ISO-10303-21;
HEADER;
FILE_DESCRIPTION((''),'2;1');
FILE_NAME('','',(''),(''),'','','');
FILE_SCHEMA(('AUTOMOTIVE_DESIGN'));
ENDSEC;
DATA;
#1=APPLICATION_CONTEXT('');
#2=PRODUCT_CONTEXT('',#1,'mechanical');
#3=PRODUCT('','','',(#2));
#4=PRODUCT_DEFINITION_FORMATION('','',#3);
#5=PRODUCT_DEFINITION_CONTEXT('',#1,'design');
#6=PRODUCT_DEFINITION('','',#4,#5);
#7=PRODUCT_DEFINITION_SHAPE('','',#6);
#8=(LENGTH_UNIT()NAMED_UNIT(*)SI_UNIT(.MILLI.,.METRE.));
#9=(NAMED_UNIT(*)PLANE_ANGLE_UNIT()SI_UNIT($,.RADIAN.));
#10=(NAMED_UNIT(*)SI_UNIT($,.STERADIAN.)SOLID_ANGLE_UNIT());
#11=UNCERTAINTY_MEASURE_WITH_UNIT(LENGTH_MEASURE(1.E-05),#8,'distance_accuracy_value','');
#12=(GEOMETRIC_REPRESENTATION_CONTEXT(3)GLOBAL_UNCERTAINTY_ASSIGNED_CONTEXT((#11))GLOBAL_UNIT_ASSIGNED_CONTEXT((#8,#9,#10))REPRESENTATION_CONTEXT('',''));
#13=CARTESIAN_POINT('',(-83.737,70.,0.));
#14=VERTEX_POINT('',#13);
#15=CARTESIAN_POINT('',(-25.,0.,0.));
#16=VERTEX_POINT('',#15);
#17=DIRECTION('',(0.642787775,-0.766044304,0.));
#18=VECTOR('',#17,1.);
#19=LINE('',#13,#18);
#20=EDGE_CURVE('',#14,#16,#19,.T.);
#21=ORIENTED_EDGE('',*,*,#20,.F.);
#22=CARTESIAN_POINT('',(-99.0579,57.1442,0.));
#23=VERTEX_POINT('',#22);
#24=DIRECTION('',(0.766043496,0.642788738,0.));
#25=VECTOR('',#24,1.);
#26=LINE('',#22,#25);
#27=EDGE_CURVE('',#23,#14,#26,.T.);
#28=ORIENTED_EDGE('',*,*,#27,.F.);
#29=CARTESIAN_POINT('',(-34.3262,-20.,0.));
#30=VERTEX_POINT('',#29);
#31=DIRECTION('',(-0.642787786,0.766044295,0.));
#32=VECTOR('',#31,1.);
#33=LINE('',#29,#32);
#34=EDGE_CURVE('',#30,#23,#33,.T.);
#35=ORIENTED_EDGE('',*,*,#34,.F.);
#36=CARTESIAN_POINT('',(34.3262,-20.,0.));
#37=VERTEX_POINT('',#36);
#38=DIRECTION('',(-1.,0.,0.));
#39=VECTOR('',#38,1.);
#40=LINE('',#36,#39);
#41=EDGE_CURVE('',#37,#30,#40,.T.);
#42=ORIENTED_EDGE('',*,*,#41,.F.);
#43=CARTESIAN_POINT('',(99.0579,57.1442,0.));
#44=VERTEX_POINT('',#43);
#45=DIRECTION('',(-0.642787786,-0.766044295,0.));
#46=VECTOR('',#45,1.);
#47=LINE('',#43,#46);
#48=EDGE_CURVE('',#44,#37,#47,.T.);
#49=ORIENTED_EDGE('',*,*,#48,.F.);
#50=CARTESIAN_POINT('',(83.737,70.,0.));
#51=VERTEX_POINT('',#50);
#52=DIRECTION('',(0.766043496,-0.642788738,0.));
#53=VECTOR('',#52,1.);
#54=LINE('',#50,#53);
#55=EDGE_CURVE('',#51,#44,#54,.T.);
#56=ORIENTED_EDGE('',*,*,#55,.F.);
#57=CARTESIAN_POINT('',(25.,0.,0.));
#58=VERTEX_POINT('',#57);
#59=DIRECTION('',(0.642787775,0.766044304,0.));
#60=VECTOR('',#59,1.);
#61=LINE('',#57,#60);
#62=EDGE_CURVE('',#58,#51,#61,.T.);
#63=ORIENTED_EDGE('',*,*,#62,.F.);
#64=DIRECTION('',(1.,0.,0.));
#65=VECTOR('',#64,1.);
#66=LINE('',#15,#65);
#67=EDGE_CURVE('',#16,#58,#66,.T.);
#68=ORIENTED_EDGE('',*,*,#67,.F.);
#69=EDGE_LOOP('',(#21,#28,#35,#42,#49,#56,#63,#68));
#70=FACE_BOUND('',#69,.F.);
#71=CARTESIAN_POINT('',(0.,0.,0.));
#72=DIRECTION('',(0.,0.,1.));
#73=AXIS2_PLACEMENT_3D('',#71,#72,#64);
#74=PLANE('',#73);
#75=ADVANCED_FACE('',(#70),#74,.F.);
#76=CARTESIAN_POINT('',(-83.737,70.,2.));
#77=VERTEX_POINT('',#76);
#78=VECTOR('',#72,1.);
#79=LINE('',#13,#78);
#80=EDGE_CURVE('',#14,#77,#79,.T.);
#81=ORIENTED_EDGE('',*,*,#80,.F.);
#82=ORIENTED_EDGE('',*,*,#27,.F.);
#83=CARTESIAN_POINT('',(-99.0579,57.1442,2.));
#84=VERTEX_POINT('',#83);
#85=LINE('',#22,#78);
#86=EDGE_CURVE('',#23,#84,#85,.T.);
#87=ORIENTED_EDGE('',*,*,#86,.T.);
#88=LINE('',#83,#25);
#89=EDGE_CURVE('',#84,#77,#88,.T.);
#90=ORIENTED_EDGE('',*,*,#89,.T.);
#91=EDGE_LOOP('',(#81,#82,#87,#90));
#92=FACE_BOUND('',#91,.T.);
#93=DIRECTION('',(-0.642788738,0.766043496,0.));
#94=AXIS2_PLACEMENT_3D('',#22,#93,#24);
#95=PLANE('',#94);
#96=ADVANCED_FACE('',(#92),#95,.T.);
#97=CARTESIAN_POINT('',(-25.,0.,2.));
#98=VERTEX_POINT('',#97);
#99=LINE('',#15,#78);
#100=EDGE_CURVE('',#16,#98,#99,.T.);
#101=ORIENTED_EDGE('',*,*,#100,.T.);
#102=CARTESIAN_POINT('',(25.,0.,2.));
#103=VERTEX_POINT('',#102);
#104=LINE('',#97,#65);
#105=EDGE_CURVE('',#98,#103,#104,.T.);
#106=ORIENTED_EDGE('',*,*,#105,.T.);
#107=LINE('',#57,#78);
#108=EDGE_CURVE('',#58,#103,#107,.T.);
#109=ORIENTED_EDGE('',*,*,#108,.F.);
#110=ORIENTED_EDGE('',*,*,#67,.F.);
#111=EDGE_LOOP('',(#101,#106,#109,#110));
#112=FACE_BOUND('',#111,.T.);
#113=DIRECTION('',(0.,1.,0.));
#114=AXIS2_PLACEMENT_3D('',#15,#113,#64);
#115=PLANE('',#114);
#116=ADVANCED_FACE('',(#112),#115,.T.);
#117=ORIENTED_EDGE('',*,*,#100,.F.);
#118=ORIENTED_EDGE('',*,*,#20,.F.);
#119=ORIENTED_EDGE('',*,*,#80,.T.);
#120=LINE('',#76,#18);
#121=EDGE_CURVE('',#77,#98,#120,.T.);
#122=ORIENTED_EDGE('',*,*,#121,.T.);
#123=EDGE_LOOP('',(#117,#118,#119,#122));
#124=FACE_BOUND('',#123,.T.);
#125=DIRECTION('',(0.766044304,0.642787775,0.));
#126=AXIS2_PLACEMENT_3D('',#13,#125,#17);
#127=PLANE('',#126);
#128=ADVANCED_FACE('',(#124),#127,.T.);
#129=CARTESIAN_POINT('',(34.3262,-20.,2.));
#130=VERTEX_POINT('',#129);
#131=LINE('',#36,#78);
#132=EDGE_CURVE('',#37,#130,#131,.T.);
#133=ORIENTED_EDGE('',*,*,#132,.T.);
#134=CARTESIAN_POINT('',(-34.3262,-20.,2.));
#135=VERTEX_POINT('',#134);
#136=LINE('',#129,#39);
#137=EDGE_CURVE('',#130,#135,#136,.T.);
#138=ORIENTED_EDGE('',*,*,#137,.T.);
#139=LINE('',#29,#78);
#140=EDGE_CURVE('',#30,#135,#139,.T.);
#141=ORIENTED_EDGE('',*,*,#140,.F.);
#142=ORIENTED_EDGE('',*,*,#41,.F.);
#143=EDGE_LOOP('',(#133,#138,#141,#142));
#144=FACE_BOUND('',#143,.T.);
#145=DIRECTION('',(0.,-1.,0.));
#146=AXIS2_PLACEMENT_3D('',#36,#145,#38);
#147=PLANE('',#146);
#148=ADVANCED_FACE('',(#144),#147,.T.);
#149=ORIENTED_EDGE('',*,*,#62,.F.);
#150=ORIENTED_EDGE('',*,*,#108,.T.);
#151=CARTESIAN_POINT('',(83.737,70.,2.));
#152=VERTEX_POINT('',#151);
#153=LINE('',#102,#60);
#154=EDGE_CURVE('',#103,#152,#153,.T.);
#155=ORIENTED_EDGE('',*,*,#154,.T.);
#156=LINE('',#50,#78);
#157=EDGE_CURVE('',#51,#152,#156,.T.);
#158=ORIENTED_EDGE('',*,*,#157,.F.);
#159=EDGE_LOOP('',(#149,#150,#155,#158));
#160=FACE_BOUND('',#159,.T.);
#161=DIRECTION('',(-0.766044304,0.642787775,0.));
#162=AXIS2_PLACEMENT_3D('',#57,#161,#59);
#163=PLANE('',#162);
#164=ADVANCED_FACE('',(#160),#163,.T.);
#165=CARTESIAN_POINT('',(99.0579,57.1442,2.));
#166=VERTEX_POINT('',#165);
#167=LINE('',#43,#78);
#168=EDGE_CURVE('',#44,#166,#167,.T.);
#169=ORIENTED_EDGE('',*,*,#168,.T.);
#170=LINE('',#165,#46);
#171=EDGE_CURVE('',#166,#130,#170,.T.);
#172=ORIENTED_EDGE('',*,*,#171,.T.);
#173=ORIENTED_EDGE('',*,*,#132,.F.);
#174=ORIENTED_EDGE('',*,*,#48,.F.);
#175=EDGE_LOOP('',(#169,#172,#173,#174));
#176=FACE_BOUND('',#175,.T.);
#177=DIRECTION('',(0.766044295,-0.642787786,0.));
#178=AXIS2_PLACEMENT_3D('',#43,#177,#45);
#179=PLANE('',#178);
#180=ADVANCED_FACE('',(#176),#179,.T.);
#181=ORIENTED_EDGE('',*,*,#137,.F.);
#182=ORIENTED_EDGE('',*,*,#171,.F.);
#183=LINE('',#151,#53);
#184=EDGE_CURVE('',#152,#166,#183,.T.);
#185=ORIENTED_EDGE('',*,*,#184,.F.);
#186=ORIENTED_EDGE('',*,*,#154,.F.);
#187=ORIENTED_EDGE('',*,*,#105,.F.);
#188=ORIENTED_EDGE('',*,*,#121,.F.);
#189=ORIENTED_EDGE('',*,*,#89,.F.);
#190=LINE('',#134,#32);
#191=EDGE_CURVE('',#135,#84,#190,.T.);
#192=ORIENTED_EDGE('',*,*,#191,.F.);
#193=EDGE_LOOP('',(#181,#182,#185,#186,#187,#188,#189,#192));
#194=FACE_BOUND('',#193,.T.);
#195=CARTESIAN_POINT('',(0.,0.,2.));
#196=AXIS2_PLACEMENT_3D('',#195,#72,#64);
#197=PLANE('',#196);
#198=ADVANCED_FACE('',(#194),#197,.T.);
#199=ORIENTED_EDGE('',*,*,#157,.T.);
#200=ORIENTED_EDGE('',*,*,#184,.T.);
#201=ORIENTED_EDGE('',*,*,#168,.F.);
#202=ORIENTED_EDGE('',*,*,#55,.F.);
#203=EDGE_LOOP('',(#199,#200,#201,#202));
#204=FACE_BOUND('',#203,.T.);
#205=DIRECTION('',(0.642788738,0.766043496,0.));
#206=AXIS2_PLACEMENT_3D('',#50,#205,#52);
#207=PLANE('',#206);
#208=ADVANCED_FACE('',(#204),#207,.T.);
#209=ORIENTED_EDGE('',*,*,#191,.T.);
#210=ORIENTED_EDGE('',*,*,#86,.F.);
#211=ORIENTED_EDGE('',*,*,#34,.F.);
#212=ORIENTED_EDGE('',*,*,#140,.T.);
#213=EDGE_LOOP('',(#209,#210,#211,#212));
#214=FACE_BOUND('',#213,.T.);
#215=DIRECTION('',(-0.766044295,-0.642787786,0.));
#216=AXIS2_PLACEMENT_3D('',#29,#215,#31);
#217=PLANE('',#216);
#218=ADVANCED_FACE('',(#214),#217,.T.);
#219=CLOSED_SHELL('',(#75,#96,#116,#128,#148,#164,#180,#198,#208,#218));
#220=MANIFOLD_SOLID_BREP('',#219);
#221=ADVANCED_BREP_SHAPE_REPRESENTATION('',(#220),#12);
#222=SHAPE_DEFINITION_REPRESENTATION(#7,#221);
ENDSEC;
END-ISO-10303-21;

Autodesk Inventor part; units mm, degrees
ref_plane "YZ Plane" through (0, 0, 0) normal (1, 0, 0) x (0, 1, 0)
ref_plane "XZ Plane" through (0, 0, 0) normal (0, 1, 0) x (-1, 0, 0)
ref_plane "XY Plane" through (0, 0, 0) normal (0, 0, 1) x (1, 0, 0)
sketch "Sketch1" plane through (0, 0, 0) normal (0, 0, 1) x (1, 0, 0)
  line L0 (-25, 0) -> (25, 0)
  line L1 (25, 0) -> (83.737, 70)
  line L2 (83.737, 70) -> (99.0579, 57.1442)
  line L3 (99.0579, 57.1442) -> (34.3262, -20)
  line L4 (34.3262, -20) -> (-34.3262, -20)
  line L5 (-34.3262, -20) -> (-99.0579, 57.1442)
  line L6 (-99.0579, 57.1442) -> (-83.737, 70)
  line L7 (-83.737, 70) -> (-25, 0)
  line L8 (0, 0) -> (0, -20) construction
  dimension "d0" = 50
  dimension "d1" = 70
  dimension "d2" = 130
  dimension "d3" = 20
extrude "Plate1" add sketch "Sketch1" along normal blind 2
equation "\"d0\" = Лоток_ширина_низ"
equation "\"d1\" = Лоток_высота - Лоток_глубина_выреза"
equation "\"d2\" = Лоток_угол"
equation "\"d4\" = Thickness"
equation "\"BendRadius\" = Thickness"
equation "\"BendReliefWidth\" = Thickness"
equation "\"BendReliefDepth\" = 0.5 * Thickness"
equation "\"CornerReliefSize\" = 4 * Thickness"
equation "\"MinimumRemnant\" = 2 * Thickness"
equation "\"TransitionRadius\" = BendRadius"
equation "\"JacobiRadiusSize\" = BendRadius"
equation "\"GapSize\" = Thickness"
equation "\"Лоток_ширина_низ\" = 50"
equation "\"Лоток_высота\" = 100"
equation "\"Лоток_глубина_выреза\" = 30"
equation "\"Лоток_угол\" = 130deg"
equation "\"Thickness\" = 2"
properties part number "ДМФ 044 фланец лотка"
